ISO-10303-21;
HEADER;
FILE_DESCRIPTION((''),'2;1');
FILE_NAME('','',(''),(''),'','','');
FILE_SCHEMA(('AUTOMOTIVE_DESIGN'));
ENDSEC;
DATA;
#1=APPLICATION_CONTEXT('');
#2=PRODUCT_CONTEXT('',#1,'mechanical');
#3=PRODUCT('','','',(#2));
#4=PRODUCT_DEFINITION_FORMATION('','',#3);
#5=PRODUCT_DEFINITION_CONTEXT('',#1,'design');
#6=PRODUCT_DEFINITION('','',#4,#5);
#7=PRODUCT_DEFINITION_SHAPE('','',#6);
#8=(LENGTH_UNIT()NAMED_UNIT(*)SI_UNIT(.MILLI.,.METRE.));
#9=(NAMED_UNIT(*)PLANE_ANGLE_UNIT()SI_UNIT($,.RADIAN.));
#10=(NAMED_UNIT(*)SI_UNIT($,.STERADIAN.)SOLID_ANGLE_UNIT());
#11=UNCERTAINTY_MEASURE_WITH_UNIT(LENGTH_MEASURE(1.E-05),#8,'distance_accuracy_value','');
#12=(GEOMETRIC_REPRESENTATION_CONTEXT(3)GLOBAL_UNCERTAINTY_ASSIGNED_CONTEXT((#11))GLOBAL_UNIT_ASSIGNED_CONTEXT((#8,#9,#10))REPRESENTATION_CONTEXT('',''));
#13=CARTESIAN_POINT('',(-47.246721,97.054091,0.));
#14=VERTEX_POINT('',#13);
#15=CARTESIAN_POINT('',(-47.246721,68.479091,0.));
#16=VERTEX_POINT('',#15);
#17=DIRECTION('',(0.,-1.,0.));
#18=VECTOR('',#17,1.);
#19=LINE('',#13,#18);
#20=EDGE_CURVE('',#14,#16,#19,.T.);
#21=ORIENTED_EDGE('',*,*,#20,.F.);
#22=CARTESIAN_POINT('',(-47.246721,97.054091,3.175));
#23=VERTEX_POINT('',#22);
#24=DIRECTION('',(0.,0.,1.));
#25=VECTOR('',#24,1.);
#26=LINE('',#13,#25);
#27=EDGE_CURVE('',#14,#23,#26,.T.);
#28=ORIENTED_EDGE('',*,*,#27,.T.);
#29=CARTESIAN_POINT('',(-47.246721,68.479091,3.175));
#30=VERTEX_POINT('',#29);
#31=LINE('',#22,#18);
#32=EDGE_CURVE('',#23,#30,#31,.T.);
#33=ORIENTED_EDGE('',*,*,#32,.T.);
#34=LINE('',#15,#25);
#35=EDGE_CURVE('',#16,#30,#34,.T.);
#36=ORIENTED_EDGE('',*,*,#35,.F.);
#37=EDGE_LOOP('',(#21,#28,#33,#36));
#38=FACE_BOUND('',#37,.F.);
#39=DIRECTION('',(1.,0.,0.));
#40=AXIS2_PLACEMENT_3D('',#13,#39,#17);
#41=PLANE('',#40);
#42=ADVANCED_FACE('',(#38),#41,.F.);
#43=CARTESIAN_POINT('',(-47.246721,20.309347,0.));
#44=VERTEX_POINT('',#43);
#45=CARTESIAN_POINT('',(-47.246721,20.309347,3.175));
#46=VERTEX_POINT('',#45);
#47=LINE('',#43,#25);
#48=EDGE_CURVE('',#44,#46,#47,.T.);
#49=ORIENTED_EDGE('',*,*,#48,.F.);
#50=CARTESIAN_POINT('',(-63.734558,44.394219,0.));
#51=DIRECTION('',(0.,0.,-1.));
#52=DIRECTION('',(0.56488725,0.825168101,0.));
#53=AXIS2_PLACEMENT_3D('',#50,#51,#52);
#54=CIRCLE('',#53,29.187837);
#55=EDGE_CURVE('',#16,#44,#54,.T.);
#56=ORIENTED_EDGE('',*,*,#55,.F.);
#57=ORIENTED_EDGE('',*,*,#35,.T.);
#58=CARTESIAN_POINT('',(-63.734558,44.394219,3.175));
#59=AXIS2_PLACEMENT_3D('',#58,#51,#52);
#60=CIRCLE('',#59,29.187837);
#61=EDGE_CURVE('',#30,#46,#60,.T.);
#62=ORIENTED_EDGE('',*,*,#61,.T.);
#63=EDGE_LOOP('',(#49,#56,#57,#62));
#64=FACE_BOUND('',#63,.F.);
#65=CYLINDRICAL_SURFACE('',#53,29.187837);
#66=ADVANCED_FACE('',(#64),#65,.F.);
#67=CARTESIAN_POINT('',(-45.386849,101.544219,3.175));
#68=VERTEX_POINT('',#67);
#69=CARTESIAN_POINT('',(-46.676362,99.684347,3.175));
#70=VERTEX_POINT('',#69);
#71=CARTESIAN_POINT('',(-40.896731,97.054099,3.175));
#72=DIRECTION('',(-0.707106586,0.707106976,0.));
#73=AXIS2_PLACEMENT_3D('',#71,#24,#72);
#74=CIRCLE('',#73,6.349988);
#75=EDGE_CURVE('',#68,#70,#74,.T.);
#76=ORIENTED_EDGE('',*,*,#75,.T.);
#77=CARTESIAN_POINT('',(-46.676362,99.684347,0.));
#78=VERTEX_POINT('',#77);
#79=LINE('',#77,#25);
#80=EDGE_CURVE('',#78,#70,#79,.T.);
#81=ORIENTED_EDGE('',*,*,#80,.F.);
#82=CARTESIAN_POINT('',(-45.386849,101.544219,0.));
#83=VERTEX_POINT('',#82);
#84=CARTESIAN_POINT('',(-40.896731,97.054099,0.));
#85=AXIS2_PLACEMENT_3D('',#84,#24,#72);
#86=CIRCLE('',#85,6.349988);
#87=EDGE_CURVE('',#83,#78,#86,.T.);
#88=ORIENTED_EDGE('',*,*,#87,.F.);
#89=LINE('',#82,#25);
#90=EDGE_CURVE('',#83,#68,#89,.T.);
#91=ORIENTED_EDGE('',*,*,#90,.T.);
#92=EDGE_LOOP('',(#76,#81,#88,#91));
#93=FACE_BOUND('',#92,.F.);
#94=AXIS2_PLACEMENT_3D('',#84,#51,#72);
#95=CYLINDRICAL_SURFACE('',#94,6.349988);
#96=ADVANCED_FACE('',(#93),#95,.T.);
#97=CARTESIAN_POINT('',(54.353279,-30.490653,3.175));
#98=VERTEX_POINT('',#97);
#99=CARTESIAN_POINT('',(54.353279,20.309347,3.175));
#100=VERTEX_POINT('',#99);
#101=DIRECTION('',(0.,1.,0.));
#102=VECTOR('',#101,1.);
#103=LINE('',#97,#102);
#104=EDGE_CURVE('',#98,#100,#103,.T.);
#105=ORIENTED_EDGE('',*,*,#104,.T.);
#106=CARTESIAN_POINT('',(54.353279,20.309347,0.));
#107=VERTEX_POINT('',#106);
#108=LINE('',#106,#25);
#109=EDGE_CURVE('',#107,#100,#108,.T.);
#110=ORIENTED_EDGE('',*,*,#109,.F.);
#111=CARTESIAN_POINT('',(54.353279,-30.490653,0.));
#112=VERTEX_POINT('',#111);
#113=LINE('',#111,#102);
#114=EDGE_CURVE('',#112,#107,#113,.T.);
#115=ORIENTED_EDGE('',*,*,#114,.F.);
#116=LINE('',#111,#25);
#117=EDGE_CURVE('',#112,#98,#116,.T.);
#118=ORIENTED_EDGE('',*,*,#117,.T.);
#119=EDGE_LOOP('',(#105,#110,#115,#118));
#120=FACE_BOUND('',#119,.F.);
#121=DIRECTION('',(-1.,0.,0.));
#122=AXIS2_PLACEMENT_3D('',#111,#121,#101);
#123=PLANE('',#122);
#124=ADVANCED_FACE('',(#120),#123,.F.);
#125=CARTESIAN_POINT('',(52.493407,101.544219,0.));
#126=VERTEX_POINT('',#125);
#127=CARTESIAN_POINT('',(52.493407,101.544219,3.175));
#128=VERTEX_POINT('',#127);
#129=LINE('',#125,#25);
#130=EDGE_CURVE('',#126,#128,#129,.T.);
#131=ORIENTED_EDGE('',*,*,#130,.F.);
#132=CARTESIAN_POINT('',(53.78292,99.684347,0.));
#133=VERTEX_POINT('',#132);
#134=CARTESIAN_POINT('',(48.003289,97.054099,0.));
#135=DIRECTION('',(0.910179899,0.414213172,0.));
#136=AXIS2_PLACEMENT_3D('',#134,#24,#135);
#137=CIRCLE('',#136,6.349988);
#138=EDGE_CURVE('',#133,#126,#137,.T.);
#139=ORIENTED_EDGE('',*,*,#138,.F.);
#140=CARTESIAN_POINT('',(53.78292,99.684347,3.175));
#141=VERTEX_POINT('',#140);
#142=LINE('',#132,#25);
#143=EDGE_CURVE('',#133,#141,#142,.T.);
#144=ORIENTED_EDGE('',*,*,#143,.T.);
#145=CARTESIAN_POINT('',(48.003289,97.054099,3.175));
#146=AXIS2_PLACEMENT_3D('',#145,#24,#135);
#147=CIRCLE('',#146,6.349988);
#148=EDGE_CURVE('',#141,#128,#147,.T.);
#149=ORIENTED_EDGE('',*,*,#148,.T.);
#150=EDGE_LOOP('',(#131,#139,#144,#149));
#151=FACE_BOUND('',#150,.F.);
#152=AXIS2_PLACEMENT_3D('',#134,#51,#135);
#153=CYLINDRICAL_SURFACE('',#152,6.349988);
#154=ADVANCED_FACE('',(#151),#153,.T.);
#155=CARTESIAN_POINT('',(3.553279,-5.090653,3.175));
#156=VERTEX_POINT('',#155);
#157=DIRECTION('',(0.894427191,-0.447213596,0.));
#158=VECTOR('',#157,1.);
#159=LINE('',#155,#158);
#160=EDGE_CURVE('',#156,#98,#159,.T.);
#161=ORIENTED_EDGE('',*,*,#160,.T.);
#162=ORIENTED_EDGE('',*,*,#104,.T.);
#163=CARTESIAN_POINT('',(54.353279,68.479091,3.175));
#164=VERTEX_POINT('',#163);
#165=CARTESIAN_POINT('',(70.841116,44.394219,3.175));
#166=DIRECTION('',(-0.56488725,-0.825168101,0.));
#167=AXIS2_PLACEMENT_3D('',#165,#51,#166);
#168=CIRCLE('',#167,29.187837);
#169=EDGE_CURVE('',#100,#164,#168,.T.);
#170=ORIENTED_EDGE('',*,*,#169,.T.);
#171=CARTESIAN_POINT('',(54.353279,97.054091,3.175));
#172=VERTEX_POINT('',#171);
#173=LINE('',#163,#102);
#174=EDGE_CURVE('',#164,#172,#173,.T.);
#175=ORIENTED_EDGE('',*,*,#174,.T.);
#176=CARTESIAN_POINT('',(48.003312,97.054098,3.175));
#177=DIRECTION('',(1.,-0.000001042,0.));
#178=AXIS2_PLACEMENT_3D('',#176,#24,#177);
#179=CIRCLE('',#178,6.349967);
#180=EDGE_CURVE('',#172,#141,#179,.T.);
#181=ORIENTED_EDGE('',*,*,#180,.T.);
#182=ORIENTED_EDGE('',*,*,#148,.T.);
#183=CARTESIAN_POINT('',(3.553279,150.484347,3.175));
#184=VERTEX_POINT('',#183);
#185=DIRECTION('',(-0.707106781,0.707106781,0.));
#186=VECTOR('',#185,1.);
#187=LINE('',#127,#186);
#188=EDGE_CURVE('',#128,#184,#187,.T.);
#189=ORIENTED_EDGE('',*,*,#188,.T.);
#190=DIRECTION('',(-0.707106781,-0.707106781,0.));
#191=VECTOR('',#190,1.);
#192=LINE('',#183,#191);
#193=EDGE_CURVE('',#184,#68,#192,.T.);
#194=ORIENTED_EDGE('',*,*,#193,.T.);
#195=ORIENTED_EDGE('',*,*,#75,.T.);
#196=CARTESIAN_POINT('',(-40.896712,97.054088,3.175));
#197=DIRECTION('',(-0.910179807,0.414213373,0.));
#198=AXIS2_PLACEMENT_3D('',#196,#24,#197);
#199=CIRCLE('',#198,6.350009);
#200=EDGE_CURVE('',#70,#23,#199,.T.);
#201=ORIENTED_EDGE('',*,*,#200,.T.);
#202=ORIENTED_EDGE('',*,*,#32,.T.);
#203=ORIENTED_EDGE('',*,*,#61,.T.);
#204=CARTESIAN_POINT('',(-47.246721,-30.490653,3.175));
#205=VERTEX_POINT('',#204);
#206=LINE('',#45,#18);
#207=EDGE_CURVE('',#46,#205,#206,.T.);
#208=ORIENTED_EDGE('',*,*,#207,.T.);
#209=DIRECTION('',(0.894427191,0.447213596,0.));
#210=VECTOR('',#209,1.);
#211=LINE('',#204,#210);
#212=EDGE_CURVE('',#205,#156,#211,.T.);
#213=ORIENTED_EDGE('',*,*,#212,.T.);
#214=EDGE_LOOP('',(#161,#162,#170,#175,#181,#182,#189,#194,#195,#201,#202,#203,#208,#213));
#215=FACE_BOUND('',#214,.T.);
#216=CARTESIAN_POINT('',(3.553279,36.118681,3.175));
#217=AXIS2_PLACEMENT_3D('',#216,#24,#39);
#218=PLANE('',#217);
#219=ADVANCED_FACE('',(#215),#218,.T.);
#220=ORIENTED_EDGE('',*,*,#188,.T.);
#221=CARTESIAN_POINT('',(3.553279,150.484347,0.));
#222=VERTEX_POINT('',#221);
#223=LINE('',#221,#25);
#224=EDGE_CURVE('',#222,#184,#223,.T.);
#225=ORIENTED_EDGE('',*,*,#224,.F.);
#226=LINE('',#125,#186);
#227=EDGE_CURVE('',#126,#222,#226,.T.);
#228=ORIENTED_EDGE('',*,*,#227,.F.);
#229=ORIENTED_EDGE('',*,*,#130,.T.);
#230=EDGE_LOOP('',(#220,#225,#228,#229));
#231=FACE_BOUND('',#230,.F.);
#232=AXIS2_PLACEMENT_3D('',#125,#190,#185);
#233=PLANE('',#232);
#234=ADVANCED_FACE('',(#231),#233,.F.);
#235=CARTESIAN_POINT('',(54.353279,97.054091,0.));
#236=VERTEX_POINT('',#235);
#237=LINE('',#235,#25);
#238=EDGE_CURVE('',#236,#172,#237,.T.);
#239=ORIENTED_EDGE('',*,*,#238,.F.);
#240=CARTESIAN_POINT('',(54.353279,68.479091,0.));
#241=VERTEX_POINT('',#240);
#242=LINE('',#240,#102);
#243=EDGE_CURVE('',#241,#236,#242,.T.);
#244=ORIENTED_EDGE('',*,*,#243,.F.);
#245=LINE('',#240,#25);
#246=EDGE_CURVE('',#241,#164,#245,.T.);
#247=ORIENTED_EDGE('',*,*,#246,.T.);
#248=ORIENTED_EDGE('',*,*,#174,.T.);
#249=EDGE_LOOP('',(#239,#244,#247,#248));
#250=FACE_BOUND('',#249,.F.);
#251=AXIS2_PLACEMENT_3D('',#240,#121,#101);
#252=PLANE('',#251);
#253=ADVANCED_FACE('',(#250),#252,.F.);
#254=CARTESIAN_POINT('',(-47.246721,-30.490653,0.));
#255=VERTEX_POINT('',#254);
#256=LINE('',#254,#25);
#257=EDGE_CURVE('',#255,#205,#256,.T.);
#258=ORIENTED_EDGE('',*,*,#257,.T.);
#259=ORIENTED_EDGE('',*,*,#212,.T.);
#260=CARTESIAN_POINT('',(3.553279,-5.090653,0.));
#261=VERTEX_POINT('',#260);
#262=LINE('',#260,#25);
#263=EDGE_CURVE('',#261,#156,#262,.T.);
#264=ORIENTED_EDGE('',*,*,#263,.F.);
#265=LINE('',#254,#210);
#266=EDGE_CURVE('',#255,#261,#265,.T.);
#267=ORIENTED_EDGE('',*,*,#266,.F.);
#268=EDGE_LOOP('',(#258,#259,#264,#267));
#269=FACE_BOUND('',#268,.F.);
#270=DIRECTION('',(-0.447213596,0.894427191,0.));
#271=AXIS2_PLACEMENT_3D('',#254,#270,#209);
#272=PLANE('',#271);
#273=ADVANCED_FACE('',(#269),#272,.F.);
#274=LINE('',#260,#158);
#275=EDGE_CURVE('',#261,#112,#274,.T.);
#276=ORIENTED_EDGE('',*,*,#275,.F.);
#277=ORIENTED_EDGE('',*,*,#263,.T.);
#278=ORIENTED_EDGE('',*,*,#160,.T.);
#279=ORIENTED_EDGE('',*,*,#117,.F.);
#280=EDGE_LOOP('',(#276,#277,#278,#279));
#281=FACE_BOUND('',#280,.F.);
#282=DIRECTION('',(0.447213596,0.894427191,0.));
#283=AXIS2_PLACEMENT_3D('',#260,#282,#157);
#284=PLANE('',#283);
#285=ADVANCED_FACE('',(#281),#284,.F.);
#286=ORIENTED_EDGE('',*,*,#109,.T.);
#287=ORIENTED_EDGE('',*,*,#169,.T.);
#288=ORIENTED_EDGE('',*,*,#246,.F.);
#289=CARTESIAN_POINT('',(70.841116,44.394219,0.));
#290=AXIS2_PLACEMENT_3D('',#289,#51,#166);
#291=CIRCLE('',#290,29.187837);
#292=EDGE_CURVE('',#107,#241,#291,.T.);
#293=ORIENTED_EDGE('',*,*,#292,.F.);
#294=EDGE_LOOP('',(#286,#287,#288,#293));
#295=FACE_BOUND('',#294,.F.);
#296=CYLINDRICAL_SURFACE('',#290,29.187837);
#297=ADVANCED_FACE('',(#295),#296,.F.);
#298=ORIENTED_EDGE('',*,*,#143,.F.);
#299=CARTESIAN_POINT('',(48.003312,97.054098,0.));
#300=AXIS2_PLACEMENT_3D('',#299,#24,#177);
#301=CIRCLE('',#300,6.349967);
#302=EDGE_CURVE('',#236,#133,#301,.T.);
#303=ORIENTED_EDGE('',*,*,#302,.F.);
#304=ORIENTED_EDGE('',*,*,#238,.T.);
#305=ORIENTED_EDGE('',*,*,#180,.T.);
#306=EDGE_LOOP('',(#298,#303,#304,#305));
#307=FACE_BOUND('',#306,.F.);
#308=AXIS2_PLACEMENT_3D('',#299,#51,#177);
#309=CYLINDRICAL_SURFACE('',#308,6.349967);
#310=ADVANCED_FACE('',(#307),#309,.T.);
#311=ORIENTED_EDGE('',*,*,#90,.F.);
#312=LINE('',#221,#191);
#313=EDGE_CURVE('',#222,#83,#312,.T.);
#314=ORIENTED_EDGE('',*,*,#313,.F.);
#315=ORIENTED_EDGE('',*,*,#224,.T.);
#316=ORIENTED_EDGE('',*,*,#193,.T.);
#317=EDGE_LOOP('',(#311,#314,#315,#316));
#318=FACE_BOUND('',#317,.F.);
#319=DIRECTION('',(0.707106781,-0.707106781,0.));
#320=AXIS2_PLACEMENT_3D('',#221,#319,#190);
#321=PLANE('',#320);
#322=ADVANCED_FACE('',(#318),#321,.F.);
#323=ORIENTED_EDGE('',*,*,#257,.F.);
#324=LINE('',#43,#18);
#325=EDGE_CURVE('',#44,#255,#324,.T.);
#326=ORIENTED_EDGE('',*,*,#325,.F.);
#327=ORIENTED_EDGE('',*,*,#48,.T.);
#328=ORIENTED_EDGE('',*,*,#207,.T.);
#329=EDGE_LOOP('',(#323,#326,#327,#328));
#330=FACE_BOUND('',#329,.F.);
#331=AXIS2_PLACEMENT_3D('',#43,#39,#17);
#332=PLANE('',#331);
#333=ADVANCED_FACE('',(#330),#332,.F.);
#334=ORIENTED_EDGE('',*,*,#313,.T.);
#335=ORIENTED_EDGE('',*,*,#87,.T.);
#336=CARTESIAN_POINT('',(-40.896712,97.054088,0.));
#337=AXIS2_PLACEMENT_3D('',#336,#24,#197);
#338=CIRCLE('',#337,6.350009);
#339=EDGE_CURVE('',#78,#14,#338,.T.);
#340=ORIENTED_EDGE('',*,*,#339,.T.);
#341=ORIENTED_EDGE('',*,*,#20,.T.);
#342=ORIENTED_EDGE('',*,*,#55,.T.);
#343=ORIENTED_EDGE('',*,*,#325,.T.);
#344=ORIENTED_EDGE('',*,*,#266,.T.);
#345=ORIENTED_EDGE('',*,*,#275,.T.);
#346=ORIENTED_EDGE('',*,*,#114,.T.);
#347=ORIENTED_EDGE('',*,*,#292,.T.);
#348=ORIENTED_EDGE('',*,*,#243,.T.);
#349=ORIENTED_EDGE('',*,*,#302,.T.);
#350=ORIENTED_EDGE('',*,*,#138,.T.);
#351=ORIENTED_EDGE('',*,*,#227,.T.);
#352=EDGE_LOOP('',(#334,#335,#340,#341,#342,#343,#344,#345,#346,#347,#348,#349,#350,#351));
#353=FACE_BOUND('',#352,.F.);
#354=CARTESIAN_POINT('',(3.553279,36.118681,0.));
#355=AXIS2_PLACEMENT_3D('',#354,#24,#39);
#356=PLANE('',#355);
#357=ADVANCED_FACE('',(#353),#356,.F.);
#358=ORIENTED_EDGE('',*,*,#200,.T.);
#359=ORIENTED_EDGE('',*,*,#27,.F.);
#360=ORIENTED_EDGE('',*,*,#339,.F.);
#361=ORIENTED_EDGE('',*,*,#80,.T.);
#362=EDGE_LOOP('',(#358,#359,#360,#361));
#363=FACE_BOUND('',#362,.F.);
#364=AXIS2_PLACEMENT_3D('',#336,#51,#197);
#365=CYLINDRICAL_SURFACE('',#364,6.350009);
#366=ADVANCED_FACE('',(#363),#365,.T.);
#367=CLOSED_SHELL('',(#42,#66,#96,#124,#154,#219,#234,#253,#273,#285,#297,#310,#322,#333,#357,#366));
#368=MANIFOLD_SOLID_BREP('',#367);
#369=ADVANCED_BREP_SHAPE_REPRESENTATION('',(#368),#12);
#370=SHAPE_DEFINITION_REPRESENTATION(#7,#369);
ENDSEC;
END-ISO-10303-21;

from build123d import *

# Parameters (mm, degrees)
F1_DEPTH = 3.175


with BuildPart() as f1:
    # F0 (on Top) → F1 (new body)
    with BuildSketch(Plane.XY):
        with BuildLine():
            Line((3.553279, -5.090653), (54.353279, -30.490653))
            Line((54.353279, -30.490653), (54.353279, 20.309347))
            ThreePointArc((54.353279, 20.309347), (41.653279, 44.394219), (54.353279, 68.479091))
            Line((54.353279, 68.479091), (54.353279, 97.054091))
            ThreePointArc((54.353279, 97.054091), (54.209052, 98.399784), (53.78292, 99.684347))
            Line((53.78292, 99.684347), (-46.676362, 99.684347))
            ThreePointArc((-46.676362, 99.684347), (-47.102493, 98.399784), (-47.246721, 97.054091))
            Line((-47.246721, 97.054091), (-47.246721, 68.479091))
            ThreePointArc((-47.246721, 68.479091), (-34.546721, 44.394219), (-47.246721, 20.309347))
            Line((-47.246721, 20.309347), (-47.246721, -30.490653))
            Line((-47.246721, -30.490653), (3.553279, -5.090653))
        make_face()
        with BuildLine():
            Line((-46.676362, 99.684347), (53.78292, 99.684347))
            ThreePointArc((53.78292, 99.684347), (53.221691, 100.672195), (52.493407, 101.544219))
            Line((52.493407, 101.544219), (3.553279, 150.484347))
            Line((3.553279, 150.484347), (-45.386849, 101.544219))
            ThreePointArc((-45.386849, 101.544219), (-46.115133, 100.672195), (-46.676362, 99.684347))
        make_face()
    extrude(amount=F1_DEPTH)


solid = f1.part
